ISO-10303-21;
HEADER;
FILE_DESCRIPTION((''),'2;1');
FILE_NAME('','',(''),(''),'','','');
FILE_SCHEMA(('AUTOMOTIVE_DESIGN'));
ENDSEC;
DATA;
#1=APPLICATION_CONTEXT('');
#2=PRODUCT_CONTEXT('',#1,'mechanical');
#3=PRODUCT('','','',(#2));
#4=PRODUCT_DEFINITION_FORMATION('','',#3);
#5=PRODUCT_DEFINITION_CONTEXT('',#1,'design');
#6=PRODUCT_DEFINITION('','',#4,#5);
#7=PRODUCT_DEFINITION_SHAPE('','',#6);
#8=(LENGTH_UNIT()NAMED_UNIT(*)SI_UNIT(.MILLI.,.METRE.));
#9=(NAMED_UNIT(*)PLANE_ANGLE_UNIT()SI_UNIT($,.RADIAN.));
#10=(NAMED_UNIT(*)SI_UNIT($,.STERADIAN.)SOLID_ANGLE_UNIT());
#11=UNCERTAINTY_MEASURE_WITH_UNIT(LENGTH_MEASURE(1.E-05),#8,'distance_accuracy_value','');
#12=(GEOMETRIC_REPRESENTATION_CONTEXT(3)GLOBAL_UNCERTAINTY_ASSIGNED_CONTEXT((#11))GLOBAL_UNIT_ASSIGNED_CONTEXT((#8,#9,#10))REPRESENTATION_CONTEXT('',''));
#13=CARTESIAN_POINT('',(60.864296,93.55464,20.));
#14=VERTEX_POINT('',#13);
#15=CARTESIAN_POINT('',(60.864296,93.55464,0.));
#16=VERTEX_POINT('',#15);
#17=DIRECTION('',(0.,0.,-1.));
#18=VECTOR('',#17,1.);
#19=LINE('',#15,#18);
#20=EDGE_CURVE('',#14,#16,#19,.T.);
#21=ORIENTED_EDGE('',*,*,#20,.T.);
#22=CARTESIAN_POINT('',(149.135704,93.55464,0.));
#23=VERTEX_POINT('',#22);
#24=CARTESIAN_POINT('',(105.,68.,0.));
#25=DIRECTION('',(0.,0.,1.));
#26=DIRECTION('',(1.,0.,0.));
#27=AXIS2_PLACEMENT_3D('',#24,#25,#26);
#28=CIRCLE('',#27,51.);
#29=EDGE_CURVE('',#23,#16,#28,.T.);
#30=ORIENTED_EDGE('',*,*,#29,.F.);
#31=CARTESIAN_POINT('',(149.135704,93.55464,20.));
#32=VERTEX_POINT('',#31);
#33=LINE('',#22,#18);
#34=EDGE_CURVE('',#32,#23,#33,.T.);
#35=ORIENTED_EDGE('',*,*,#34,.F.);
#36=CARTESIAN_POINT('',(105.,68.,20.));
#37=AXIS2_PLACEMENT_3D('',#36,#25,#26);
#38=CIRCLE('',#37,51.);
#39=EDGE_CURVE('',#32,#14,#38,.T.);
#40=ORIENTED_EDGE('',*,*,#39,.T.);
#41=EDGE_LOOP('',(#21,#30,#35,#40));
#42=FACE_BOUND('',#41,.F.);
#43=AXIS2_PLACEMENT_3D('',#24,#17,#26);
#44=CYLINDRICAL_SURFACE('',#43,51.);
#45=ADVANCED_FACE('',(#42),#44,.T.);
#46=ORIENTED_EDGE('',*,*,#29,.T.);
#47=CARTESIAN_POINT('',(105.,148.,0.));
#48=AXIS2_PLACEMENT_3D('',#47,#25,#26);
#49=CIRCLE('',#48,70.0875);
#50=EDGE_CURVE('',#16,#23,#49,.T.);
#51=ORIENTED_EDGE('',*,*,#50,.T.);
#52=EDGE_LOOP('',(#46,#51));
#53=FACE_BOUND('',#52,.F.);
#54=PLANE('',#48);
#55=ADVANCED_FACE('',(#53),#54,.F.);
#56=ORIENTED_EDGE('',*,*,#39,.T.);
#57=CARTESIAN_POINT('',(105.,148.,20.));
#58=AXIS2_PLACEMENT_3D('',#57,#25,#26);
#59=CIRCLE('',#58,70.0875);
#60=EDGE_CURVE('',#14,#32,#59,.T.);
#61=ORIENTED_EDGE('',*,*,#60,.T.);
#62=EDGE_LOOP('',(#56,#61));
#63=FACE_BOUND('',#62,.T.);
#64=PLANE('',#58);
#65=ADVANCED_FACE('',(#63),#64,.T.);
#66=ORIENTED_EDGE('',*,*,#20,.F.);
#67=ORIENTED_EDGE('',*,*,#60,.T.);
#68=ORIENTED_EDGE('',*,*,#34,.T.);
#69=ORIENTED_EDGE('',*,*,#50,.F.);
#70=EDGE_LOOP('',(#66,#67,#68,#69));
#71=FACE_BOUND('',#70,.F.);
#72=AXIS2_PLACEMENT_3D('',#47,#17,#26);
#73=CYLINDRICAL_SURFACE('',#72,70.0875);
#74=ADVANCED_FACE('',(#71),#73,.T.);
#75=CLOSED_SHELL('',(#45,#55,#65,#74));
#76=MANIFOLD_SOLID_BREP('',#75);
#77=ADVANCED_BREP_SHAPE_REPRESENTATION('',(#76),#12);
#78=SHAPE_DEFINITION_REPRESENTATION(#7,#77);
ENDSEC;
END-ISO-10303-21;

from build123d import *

# Parameters (mm, degrees)
CYLINDER005_R     = 51
CYLINDER005_DEPTH = 20
CYLINDER004_R     = 70.0875
CYLINDER004_DEPTH = 20


with BuildPart() as cylinder005:
    # Cylinder005 → Cylinder005 (new body)
    with BuildSketch(Plane(origin=(105, 68, 0), x_dir=(1, 0, 0), z_dir=(0, 0, 1))):
        Circle(CYLINDER005_R)
    extrude(amount=CYLINDER005_DEPTH)


with BuildPart() as inlet:
    # Cylinder004 → Cylinder004 (new body)
    with BuildSketch(Plane(origin=(105, 148, 0), x_dir=(1, 0, 0), z_dir=(0, 0, 1))):
        Circle(CYLINDER004_R)
    extrude(amount=CYLINDER004_DEPTH)

    # Common: intersect Cylinder005
    add(cylinder005.part, mode=Mode.INTERSECT)


solid = inlet.part
